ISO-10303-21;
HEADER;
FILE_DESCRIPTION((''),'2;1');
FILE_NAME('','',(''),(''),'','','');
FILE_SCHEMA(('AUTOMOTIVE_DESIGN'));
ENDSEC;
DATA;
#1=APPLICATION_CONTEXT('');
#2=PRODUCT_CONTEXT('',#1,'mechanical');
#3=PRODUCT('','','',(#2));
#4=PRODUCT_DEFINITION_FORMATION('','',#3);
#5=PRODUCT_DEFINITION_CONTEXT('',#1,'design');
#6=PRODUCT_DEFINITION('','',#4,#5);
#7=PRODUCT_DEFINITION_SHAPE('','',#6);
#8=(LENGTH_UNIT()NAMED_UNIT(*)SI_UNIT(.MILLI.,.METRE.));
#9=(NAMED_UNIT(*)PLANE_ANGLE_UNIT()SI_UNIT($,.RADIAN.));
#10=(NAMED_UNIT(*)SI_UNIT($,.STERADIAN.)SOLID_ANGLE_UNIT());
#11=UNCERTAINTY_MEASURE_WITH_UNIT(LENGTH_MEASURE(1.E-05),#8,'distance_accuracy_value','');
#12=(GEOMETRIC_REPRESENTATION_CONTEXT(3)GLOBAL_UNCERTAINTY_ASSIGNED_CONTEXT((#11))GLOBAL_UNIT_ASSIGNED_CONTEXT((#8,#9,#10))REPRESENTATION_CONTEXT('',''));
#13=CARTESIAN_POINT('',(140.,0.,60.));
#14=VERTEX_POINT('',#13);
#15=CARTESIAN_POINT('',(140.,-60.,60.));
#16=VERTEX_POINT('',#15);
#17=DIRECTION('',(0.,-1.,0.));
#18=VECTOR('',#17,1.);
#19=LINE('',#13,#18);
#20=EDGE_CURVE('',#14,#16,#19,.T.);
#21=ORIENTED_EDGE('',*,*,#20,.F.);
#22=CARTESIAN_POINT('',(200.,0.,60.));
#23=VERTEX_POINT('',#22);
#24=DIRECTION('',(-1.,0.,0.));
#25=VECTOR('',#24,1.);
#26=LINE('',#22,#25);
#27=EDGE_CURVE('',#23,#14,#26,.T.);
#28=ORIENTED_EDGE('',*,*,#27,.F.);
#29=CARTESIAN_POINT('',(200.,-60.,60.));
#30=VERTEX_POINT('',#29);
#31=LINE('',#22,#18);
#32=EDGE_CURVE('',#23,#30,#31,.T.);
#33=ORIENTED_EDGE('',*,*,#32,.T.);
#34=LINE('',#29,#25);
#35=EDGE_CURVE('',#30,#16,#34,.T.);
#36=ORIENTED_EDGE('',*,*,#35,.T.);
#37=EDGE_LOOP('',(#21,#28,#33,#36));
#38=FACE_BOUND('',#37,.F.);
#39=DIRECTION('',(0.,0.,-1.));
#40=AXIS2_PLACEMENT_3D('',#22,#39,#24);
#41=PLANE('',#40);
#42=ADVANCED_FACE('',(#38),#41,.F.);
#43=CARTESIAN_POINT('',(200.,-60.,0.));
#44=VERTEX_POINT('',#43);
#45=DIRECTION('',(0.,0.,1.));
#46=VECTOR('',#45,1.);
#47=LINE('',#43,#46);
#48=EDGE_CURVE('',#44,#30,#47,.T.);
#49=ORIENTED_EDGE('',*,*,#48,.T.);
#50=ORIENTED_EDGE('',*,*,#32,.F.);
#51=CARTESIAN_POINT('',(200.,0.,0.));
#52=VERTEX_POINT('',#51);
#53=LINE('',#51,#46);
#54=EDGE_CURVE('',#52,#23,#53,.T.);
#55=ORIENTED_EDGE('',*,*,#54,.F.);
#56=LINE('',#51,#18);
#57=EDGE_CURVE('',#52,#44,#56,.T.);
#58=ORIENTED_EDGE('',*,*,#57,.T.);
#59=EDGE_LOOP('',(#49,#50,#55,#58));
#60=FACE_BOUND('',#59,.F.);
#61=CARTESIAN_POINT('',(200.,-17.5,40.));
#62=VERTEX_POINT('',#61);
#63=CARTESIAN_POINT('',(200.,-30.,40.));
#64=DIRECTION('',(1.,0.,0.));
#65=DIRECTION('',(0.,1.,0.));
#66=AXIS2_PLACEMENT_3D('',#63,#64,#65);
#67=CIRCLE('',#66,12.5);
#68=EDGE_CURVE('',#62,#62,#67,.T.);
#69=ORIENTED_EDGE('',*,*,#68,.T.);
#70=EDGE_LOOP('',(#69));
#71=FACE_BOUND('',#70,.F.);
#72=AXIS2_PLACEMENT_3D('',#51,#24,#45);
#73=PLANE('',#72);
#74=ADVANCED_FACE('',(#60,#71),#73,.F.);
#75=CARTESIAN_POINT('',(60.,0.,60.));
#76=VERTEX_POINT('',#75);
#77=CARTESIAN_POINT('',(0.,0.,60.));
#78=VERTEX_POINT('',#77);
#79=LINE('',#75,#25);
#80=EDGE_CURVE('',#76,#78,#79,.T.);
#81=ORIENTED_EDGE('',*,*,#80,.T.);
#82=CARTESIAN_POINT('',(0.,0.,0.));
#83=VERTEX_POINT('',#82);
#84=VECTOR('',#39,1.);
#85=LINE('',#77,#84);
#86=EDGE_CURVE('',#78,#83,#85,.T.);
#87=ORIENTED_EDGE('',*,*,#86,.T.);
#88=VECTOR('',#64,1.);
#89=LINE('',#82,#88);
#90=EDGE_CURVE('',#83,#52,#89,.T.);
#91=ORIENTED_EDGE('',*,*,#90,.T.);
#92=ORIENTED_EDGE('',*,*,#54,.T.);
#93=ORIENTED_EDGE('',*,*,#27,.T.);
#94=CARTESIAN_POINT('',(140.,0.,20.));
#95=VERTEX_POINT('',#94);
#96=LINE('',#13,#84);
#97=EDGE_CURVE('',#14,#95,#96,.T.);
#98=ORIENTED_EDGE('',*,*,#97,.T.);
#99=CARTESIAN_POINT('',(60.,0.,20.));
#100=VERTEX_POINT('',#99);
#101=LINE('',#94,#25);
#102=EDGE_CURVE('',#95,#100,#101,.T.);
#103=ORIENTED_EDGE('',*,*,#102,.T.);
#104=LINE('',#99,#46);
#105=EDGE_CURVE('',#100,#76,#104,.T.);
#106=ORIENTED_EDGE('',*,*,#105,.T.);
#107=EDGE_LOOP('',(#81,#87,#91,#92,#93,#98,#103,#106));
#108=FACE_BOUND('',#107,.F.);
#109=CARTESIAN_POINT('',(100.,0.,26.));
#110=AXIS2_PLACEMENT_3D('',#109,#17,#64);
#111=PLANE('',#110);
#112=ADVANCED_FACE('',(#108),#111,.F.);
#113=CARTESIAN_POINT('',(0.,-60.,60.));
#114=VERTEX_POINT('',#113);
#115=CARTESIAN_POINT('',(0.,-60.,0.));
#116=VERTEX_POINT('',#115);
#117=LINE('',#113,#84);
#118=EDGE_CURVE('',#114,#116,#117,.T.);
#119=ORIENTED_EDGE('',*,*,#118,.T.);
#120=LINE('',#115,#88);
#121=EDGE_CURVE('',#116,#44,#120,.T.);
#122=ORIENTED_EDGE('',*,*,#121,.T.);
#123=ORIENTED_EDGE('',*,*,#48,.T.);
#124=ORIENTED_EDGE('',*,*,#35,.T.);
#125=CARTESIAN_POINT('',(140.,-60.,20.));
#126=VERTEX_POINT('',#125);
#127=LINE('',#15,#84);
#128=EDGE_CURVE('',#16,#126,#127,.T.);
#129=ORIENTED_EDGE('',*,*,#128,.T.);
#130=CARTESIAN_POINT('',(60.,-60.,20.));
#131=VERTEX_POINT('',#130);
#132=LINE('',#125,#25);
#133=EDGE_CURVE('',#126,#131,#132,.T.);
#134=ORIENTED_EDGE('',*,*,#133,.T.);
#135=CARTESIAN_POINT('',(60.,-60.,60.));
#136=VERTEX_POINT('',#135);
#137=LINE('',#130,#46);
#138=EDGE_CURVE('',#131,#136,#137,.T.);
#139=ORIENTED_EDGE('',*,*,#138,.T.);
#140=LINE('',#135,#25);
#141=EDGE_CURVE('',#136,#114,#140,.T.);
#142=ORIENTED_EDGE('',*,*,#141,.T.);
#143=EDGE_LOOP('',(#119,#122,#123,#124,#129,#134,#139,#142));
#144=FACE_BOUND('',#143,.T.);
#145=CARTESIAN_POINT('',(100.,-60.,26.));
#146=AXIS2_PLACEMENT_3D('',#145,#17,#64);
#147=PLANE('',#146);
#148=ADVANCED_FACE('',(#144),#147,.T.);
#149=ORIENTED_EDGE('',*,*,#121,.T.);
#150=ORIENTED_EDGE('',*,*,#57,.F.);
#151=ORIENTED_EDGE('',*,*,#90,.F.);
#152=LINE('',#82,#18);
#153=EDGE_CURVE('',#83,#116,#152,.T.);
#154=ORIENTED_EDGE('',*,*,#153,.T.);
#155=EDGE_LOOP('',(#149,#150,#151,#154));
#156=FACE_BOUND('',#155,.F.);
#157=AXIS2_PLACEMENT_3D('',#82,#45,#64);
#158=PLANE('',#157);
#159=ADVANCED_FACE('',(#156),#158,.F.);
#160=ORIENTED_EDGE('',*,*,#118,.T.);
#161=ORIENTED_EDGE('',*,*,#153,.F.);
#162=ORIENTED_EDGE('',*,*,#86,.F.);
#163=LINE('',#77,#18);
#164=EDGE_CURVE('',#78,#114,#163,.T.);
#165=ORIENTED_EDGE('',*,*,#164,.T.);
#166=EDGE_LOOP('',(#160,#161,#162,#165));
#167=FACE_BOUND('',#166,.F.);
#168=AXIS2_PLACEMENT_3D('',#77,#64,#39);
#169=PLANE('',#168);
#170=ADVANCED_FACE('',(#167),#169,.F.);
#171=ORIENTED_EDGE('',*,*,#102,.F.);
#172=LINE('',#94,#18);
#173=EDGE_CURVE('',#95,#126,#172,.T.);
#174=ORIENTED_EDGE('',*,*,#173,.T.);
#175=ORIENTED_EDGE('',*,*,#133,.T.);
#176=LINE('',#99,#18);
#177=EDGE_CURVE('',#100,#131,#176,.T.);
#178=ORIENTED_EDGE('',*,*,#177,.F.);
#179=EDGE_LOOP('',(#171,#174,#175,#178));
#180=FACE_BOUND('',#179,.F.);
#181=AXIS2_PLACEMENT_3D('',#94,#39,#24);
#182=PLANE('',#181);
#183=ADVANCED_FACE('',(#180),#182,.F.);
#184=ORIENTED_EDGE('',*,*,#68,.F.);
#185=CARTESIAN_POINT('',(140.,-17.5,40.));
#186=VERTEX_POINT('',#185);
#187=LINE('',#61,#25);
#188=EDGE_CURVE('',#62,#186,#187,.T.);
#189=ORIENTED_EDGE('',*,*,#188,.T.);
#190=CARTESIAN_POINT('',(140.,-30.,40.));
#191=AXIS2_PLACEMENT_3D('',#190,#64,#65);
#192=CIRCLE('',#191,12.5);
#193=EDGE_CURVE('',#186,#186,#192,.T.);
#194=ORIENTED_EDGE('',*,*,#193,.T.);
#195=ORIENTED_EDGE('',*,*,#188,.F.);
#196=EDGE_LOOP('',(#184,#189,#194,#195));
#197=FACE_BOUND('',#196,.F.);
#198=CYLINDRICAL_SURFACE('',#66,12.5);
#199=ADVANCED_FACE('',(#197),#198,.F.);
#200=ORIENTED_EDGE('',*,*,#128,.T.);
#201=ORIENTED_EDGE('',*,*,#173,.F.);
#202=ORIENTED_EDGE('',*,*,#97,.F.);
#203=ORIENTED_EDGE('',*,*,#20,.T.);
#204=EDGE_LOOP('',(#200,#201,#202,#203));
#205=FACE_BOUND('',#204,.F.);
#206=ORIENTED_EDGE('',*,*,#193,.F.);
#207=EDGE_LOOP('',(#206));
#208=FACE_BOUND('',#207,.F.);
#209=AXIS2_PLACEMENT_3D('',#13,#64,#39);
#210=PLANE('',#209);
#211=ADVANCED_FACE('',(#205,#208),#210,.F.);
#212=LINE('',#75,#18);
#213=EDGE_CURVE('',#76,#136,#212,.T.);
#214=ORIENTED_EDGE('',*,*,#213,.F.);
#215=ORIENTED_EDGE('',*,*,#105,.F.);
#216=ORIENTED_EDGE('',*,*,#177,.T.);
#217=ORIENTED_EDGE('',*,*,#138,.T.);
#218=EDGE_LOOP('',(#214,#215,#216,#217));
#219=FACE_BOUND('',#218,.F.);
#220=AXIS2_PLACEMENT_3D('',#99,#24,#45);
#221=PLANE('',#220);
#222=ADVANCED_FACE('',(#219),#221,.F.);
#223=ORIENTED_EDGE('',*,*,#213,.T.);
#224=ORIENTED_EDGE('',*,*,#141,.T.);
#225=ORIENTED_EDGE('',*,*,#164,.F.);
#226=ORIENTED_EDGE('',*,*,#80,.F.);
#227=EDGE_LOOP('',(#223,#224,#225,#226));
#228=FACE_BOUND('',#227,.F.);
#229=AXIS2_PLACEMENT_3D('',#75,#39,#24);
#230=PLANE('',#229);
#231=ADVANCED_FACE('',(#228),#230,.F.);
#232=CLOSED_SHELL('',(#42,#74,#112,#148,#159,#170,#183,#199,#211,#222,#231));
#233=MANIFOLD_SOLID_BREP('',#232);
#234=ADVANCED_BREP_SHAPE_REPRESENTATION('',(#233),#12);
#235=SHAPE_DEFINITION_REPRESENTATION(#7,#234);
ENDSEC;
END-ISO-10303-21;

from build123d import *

# Parameters (mm, degrees)
F1_DEPTH = 60
F2_R     = 12.5
F3_DEPTH = 82.6


with BuildPart() as f1:
    # F0 (on Front) → F1 (new body)
    with BuildSketch(Plane.XZ):
        Polygon((0, 60), (0, 0), (200, 0), (200, 60), (140, 60), (140, 20), (60, 20), (60, 60), align=None)
    extrude(amount=F1_DEPTH)

    # F2 (on face) → F3 (cut)
    with BuildSketch(Plane.YZ.offset(200)):
        with Locations((-30, 40)):
            Circle(F2_R)
    extrude(amount=-F3_DEPTH, mode=Mode.SUBTRACT)


solid = f1.part
